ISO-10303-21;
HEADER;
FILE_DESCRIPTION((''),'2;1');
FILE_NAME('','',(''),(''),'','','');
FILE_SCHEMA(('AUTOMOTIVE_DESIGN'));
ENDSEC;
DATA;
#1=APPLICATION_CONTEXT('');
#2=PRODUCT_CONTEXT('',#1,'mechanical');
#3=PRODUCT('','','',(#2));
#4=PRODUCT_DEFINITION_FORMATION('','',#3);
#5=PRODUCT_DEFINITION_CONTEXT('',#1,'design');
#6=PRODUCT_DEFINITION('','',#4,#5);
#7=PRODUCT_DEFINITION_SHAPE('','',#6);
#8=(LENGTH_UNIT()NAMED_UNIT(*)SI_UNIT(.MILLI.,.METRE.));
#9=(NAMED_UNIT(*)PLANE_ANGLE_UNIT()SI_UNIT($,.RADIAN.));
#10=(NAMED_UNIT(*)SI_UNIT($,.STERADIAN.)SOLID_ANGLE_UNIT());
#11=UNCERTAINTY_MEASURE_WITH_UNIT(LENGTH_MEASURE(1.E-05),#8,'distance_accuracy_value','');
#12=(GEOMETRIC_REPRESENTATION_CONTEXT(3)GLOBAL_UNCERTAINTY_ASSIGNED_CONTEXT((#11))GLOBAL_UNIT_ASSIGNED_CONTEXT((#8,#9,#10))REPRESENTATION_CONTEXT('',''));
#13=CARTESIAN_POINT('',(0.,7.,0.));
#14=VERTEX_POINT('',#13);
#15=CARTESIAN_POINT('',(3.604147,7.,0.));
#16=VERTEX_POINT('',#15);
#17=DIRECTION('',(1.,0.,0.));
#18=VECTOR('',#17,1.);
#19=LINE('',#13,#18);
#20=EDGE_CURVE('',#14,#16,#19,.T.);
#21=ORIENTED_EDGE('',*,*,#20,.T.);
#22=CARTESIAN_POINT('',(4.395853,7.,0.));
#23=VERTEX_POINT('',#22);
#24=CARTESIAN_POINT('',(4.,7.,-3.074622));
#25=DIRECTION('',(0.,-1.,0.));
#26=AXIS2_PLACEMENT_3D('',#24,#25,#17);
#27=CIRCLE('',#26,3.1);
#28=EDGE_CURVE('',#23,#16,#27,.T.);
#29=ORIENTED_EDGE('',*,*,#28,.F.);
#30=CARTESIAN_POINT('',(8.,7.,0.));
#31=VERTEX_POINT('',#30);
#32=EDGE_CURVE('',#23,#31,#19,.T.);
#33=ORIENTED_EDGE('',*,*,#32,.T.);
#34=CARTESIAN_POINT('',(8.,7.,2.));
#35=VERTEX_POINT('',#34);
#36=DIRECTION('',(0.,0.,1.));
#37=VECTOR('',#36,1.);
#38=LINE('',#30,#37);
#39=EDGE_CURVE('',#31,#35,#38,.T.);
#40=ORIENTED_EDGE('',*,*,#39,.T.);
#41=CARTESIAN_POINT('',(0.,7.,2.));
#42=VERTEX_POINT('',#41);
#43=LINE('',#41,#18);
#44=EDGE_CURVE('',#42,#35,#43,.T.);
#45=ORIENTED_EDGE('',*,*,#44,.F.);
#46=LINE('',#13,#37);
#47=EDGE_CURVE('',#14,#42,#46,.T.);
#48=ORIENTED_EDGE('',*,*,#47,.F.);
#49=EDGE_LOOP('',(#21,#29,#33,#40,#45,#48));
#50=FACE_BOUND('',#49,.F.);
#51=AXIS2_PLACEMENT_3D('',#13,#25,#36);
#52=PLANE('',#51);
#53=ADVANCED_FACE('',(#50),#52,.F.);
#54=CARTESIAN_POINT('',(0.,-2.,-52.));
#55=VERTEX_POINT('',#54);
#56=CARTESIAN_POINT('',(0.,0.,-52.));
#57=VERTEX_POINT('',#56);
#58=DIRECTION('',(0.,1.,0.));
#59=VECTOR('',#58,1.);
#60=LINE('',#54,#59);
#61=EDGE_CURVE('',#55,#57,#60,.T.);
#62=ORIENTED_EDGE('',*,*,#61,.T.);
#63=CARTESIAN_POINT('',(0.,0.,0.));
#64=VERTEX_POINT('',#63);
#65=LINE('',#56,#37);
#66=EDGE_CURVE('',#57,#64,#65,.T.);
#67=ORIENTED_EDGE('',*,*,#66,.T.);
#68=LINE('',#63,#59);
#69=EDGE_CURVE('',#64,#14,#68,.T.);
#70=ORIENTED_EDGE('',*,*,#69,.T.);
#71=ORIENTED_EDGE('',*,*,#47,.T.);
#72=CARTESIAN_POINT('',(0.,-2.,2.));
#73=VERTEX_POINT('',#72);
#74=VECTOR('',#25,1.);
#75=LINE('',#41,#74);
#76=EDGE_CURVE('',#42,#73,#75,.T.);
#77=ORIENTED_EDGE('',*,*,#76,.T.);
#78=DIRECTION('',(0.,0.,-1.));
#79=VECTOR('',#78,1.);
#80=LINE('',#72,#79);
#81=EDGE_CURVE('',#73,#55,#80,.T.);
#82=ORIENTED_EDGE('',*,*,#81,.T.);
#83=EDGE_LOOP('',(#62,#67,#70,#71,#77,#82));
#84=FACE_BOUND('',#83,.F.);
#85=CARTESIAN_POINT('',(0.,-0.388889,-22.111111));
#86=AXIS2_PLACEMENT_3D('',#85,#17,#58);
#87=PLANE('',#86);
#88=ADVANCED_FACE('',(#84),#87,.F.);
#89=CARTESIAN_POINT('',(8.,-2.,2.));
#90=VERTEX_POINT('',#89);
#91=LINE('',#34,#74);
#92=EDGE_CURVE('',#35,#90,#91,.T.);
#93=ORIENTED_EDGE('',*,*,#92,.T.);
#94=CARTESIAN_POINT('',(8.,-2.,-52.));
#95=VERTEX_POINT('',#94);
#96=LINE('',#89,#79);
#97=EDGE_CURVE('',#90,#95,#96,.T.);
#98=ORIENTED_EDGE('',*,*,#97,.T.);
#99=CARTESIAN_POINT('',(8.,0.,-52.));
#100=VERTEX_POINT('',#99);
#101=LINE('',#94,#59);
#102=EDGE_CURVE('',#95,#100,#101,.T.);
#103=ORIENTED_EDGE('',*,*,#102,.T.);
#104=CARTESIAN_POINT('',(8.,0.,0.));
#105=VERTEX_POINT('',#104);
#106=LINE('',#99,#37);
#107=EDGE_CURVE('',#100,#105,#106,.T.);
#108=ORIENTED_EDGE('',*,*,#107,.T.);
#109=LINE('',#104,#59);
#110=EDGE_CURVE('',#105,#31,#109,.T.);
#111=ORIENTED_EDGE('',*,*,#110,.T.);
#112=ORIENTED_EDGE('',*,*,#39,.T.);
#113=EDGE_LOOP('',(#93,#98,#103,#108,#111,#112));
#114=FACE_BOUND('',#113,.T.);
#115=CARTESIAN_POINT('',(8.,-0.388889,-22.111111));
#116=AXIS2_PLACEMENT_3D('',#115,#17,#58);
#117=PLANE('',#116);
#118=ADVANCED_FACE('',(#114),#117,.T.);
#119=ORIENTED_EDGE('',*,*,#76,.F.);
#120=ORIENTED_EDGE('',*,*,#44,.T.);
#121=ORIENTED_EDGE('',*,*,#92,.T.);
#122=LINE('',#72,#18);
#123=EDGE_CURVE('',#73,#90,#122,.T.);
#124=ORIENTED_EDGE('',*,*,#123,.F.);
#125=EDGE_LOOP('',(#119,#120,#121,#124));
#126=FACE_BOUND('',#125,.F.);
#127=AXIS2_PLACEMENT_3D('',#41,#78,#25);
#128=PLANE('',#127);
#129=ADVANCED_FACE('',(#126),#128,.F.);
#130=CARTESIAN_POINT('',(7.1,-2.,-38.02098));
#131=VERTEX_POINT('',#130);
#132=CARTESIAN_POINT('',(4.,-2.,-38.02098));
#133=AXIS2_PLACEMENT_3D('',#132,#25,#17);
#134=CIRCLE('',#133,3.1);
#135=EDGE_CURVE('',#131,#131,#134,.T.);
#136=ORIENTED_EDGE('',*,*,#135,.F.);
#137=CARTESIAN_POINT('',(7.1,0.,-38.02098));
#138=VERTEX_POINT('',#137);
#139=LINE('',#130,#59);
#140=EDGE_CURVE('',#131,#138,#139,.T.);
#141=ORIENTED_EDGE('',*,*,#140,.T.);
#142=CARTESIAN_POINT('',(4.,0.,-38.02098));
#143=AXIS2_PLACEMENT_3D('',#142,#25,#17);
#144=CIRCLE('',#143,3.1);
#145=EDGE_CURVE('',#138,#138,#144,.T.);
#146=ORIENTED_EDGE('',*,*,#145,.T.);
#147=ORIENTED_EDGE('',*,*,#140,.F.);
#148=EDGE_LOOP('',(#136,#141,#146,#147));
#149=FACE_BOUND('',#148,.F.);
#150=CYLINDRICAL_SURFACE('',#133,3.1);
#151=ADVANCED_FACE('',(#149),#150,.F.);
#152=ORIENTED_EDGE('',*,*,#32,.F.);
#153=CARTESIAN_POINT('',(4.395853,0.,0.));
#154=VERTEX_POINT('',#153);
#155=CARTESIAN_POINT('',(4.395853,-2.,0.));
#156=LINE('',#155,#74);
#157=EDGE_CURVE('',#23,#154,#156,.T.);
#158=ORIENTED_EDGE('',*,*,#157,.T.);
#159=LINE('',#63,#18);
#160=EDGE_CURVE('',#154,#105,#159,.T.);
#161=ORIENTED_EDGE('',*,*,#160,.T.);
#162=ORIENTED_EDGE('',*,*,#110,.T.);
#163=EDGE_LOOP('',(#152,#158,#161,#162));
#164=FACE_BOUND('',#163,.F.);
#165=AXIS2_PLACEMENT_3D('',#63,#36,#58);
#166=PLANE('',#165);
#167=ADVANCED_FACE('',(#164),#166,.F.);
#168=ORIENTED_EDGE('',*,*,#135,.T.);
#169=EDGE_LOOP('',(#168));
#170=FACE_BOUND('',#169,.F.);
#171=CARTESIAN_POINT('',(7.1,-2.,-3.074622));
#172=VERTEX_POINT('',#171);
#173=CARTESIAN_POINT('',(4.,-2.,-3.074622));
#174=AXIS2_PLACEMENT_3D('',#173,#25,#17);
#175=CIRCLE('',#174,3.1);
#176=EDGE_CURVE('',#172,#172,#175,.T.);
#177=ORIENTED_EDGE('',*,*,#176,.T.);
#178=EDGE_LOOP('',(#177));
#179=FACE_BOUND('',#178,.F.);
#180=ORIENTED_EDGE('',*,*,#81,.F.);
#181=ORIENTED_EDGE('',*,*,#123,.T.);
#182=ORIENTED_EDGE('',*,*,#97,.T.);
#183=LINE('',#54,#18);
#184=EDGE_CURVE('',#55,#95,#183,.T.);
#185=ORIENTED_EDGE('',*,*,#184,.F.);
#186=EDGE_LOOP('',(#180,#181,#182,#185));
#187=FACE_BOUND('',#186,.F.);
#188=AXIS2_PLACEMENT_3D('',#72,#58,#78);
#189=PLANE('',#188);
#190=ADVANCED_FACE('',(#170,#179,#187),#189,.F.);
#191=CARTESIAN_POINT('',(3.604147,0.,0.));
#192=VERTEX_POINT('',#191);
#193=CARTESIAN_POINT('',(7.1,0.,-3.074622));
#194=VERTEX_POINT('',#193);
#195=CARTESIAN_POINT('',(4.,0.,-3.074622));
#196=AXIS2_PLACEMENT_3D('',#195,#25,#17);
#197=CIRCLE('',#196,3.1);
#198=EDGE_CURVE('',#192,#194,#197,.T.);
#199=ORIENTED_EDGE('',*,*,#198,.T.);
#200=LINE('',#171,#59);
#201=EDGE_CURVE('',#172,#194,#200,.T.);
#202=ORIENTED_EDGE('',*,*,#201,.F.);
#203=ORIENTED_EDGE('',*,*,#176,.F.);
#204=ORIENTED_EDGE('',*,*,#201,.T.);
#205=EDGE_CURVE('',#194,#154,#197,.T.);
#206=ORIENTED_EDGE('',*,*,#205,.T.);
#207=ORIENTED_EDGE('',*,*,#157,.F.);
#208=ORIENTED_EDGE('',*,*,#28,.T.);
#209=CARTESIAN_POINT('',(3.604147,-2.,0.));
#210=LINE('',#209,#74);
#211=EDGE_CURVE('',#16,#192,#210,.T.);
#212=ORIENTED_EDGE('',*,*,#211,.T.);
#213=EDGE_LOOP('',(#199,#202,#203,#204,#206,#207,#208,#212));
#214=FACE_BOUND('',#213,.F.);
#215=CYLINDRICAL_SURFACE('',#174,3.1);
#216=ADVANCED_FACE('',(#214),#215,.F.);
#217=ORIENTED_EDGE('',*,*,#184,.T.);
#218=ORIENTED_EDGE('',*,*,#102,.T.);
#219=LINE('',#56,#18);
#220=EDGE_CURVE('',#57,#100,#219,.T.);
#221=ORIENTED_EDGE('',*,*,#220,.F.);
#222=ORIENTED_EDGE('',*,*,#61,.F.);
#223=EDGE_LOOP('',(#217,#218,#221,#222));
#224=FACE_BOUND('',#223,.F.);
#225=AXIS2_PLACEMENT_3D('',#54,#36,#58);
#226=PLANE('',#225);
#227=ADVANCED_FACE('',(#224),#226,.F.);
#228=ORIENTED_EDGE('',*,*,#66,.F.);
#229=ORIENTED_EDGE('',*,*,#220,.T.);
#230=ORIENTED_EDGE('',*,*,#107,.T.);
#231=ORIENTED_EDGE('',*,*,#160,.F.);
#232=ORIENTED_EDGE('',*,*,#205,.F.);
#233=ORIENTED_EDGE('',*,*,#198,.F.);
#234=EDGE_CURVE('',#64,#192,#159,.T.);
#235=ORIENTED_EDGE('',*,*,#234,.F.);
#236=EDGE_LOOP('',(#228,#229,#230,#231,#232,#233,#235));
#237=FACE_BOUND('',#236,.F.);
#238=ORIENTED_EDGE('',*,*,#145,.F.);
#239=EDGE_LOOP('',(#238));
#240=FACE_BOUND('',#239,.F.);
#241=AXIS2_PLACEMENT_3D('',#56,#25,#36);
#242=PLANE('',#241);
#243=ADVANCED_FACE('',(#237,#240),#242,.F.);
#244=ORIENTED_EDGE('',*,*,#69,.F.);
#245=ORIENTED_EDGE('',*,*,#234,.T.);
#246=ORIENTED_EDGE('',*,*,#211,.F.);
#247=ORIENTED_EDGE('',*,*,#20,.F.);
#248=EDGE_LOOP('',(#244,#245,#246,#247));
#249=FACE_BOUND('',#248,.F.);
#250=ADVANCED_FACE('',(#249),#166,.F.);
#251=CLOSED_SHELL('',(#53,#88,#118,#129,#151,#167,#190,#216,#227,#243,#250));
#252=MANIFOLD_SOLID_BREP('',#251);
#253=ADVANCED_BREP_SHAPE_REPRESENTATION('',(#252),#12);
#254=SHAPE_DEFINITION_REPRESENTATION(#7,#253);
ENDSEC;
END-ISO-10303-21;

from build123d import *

# Parameters (mm, degrees)
F1_DEPTH = 8
F2_R     = 3.1
F3_DEPTH = 25


with BuildPart() as f1:
    # F0 (on Right) → F1 (new body)
    with BuildSketch(Plane.YZ):
        Polygon((0, -52), (0, 0), (7, 0), (7, 2), (-2, 2), (-2, -52), align=None)
    extrude(amount=F1_DEPTH)

    # F2 (on face) → F3 (cut)
    with BuildSketch(Plane.XZ.offset(2)):
        with Locations((4, -3.074622)):
            Circle(F2_R)
        with Locations((4, -38.02098)):
            Circle(F2_R)
    extrude(amount=-F3_DEPTH, mode=Mode.SUBTRACT)


solid = f1.part
